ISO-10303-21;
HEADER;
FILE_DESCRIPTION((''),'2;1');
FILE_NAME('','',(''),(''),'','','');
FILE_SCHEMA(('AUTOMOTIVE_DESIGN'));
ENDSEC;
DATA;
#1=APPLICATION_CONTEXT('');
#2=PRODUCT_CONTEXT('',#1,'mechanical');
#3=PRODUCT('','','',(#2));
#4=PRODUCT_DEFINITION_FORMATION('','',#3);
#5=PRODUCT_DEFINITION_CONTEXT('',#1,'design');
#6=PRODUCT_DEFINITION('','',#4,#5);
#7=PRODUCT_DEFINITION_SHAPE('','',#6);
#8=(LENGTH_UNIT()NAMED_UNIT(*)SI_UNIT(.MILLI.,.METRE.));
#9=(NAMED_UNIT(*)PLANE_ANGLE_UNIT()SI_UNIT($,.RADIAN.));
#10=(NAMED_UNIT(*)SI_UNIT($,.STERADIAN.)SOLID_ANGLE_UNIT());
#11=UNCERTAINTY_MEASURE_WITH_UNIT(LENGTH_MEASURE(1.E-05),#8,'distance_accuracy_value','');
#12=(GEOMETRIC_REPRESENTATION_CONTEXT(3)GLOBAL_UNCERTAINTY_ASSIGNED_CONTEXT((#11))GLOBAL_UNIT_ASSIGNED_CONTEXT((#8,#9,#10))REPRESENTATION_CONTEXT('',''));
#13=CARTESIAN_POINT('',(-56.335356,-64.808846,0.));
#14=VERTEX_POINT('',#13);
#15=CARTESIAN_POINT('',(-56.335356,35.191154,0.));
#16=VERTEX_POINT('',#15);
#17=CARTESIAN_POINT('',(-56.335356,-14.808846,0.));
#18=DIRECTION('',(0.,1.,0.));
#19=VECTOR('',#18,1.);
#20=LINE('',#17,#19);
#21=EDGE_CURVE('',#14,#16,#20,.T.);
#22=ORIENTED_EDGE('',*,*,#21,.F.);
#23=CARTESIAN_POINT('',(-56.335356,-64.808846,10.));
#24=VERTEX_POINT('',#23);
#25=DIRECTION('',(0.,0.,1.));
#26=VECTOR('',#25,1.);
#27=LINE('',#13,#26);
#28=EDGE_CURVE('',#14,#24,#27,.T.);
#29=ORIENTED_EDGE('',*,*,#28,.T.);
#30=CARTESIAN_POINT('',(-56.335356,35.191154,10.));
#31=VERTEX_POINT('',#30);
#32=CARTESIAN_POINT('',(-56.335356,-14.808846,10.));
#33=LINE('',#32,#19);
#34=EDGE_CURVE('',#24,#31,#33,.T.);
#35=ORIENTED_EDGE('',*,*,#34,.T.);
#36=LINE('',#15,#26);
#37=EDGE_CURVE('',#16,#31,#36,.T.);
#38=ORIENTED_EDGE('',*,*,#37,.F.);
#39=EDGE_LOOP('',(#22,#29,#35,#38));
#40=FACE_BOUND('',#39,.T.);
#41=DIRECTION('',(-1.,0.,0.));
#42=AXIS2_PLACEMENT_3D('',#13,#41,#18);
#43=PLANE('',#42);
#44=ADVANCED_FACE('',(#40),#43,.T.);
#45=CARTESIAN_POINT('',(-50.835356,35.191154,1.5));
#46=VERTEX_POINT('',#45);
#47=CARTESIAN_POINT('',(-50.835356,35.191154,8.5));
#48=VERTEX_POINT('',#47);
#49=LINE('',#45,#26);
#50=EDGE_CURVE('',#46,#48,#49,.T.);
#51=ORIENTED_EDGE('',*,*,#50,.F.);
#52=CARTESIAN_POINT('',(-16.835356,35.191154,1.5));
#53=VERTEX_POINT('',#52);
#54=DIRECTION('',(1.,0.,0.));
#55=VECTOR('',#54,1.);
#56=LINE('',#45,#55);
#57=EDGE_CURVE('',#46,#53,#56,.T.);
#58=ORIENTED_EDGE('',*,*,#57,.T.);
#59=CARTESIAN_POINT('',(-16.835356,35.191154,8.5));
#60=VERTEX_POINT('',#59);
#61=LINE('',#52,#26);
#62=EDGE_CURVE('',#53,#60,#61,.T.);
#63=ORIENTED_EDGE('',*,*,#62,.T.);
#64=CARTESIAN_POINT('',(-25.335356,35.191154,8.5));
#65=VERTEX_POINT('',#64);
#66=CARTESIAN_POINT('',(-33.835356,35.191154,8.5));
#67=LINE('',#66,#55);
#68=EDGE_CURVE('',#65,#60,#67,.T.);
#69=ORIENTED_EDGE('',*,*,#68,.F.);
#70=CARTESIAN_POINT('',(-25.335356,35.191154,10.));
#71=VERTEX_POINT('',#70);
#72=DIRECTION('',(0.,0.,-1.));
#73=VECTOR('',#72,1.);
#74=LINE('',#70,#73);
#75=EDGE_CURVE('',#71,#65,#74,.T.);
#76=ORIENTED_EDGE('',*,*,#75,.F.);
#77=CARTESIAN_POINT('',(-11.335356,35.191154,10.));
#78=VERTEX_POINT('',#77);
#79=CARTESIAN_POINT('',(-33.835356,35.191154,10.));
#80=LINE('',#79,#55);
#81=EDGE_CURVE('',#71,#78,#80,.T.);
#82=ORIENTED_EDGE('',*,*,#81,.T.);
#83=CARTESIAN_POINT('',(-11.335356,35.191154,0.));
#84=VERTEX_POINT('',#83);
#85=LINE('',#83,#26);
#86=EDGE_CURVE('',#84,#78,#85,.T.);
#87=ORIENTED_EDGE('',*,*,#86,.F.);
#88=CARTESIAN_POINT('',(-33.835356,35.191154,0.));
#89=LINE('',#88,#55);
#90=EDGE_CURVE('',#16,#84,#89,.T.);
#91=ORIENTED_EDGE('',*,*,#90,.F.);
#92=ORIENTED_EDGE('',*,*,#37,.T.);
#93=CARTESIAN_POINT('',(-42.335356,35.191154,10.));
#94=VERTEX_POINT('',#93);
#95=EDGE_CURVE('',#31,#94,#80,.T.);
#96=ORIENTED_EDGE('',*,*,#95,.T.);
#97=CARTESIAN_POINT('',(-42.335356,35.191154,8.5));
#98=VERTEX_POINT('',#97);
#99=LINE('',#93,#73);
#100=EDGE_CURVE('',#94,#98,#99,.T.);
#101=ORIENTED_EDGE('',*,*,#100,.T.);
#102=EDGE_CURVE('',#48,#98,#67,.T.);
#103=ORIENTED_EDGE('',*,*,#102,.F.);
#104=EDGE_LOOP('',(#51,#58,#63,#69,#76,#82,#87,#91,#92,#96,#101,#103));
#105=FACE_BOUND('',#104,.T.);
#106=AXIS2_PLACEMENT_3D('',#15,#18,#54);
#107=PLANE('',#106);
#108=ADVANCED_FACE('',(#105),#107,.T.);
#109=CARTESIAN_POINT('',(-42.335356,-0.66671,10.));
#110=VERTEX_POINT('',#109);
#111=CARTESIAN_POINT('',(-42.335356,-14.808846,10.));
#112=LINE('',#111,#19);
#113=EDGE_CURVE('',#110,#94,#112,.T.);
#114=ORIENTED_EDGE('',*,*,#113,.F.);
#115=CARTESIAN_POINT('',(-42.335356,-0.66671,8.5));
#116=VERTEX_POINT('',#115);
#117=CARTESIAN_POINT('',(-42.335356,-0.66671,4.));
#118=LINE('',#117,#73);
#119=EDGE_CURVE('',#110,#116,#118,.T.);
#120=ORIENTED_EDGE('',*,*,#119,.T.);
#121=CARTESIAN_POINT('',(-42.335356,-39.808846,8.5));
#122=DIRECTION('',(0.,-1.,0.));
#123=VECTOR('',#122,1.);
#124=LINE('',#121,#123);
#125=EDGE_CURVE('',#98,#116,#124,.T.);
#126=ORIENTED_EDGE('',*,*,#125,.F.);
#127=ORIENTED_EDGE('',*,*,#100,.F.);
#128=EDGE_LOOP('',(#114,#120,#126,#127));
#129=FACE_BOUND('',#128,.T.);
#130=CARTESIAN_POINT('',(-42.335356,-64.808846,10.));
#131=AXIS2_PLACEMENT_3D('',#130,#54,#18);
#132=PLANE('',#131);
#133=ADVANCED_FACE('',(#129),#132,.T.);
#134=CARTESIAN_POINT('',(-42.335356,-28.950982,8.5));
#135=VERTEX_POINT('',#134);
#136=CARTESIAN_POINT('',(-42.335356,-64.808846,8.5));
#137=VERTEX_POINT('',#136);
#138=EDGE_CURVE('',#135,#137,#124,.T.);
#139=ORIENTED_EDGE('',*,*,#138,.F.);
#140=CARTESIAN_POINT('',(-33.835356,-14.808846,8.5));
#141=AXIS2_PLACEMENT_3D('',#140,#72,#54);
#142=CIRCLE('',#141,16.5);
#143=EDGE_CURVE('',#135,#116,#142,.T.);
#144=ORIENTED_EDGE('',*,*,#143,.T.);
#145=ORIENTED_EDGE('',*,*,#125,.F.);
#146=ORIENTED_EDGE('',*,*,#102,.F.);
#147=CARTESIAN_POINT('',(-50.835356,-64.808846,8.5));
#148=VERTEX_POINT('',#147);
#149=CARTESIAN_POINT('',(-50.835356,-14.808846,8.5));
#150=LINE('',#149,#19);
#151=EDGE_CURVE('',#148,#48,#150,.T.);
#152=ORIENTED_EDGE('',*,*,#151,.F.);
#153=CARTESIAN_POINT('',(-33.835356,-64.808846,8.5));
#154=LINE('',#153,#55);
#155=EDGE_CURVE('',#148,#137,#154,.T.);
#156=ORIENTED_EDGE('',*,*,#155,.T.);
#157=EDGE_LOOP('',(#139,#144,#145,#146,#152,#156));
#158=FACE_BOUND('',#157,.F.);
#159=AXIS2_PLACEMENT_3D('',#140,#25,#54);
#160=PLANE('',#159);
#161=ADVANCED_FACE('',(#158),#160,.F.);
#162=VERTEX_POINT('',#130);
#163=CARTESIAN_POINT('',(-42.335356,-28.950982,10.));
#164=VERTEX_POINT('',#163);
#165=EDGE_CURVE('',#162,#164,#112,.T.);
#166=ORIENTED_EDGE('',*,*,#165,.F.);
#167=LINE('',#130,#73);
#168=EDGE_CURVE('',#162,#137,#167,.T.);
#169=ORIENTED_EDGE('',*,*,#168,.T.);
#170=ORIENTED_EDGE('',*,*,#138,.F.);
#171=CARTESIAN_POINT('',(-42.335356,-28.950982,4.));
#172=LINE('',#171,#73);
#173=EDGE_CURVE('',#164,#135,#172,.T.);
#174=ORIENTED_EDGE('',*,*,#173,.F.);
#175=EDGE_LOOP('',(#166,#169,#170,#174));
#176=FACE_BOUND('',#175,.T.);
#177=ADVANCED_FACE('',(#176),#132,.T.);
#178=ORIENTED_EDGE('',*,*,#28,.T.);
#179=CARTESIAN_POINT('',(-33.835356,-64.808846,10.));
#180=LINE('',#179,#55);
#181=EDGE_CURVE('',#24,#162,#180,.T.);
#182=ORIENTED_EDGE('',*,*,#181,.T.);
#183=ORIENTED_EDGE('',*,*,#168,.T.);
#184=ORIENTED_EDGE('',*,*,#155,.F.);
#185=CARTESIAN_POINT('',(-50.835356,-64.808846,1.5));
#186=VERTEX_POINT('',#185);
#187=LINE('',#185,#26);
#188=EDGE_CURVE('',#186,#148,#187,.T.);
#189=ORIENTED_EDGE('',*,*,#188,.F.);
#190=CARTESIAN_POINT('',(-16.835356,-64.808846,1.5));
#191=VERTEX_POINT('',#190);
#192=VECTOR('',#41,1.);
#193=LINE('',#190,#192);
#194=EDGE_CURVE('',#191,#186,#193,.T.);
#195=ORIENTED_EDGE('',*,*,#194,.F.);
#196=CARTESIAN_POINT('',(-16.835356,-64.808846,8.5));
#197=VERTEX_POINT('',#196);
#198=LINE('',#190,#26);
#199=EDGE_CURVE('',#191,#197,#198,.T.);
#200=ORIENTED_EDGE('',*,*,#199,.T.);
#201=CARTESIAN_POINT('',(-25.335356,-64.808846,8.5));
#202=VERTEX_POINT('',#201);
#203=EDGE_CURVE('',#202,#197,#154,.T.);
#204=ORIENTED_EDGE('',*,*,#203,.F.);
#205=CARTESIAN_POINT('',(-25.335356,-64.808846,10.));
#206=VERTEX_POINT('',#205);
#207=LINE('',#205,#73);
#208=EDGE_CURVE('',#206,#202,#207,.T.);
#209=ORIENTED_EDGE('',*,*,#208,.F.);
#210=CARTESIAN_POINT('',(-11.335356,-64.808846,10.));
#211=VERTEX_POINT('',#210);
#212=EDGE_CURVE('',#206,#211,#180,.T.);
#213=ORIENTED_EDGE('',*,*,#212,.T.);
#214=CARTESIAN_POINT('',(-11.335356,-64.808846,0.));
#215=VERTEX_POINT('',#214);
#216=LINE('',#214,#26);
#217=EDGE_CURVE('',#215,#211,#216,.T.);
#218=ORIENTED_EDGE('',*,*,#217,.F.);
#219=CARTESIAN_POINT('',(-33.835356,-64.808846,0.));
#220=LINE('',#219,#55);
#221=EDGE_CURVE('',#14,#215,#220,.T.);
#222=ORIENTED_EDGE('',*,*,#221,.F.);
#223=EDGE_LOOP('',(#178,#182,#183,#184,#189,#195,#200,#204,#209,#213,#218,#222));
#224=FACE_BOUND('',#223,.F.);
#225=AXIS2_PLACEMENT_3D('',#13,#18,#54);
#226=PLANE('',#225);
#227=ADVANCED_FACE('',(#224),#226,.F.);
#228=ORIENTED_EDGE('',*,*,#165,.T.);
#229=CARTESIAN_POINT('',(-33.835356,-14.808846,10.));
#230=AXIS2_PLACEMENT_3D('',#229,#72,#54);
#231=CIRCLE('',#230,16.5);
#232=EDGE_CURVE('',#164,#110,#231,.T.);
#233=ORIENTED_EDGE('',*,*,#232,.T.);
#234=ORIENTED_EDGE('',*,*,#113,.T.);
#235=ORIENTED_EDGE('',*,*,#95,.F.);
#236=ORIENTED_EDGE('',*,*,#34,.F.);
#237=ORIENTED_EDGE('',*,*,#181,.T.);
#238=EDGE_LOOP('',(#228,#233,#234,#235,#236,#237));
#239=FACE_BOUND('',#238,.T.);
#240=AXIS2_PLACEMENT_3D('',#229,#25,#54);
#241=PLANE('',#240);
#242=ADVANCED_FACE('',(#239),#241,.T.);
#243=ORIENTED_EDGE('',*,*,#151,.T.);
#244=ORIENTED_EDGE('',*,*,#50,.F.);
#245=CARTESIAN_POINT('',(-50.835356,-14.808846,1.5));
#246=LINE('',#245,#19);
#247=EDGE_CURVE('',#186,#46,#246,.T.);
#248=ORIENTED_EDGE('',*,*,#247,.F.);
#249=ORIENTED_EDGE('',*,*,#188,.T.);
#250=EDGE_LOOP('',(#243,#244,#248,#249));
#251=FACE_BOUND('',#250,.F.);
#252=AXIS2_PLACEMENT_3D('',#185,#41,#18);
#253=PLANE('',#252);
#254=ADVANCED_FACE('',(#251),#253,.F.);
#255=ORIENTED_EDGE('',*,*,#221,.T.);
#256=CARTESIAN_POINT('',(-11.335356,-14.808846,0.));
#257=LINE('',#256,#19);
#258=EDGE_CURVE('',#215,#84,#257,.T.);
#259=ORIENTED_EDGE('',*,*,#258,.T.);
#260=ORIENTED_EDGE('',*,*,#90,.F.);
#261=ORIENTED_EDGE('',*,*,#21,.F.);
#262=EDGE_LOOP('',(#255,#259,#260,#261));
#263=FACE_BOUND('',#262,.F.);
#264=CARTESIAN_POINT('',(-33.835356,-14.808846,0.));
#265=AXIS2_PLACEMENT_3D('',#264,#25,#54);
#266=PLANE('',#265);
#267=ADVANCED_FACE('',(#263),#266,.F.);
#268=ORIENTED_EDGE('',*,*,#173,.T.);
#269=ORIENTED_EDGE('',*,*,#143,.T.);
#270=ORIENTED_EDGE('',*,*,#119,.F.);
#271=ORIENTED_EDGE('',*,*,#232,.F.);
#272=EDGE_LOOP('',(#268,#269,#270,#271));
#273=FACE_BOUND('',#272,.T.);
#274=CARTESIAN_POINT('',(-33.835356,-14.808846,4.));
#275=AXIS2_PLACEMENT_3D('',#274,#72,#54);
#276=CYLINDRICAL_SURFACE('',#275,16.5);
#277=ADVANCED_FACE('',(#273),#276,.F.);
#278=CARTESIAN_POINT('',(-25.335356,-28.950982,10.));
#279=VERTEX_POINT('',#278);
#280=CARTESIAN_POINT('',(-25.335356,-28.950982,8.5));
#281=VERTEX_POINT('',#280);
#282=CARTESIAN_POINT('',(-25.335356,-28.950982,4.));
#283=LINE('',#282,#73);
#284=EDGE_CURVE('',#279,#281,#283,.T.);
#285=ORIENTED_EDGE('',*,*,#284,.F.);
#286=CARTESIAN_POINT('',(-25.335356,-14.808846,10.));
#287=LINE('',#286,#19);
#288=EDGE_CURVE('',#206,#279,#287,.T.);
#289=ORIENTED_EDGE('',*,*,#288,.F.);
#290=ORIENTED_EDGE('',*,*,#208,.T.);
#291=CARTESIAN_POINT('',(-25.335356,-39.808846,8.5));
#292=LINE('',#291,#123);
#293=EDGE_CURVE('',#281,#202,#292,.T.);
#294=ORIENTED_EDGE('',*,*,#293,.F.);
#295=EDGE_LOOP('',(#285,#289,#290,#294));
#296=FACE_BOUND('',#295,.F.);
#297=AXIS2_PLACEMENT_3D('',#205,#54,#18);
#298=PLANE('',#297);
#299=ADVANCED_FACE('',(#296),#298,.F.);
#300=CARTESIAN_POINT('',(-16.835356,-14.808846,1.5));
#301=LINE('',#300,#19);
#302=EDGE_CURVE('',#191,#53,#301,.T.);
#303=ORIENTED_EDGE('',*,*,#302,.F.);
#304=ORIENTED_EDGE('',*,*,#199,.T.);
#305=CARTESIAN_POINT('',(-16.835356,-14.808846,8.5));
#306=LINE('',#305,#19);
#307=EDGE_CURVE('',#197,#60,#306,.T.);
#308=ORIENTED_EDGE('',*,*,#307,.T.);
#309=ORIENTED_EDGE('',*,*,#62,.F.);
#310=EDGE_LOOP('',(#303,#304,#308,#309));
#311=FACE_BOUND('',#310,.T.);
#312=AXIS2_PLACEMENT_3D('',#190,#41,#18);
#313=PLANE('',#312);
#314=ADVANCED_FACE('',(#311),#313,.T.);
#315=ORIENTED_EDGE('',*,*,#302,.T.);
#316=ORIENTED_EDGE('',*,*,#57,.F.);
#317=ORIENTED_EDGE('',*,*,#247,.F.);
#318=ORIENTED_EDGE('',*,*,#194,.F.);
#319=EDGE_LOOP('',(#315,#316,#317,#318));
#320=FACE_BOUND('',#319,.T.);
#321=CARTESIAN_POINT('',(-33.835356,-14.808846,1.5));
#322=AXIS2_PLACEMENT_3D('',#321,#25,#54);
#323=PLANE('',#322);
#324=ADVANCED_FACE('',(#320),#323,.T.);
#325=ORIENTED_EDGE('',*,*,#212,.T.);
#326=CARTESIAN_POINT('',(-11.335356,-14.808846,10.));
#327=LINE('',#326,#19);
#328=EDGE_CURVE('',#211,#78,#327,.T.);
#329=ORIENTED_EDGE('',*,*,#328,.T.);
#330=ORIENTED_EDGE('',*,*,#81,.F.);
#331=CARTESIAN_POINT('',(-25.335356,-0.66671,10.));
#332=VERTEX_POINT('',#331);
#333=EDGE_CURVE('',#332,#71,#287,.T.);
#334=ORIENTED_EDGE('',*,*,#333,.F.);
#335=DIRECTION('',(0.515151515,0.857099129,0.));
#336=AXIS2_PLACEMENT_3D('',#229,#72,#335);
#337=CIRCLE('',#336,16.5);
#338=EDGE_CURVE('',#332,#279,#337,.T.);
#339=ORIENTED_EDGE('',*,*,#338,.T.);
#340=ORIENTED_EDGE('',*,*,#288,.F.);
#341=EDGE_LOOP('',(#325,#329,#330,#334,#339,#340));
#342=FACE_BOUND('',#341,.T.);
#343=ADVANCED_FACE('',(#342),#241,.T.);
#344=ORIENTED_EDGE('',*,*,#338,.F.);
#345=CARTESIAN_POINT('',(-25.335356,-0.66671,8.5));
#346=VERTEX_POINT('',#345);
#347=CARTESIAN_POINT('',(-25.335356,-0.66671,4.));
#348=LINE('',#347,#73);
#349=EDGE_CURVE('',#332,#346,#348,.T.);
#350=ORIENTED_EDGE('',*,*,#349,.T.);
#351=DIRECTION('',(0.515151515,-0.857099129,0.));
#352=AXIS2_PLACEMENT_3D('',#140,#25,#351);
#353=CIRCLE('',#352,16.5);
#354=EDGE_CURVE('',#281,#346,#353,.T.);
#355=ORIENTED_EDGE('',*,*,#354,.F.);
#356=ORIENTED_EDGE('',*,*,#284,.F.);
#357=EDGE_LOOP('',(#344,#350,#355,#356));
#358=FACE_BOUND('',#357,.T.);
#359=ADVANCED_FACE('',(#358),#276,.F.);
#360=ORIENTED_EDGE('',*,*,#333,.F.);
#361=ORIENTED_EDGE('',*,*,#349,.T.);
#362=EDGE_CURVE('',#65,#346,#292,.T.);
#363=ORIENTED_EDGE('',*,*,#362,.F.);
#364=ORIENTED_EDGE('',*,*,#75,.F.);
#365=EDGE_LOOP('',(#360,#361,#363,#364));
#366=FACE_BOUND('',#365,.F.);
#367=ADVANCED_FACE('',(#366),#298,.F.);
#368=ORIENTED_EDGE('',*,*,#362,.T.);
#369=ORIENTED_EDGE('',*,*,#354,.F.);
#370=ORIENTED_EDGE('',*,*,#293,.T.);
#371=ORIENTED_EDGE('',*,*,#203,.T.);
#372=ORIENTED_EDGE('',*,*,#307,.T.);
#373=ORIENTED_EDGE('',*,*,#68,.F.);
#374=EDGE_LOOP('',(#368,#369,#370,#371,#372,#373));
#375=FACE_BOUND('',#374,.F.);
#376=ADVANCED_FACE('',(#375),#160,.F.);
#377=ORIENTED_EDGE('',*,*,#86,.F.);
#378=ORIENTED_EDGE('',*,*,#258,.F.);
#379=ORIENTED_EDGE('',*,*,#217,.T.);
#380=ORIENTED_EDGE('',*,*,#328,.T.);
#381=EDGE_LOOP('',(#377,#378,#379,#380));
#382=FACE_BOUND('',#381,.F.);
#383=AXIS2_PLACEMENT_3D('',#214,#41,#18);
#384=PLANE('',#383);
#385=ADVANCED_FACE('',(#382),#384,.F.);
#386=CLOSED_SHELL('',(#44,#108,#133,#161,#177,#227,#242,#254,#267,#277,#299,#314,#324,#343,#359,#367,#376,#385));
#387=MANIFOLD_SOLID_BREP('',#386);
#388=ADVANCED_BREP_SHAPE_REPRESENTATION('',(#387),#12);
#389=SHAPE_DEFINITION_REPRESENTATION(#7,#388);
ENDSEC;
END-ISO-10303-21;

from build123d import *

# Parameters (mm, degrees)
F0_W     = 45
F0_H     = 100
F1_DEPTH = 10
F2_W     = 17
F2_H     = 100
F3_DEPTH = 8.5
F4_W     = 34
F4_H     = 100
F5_DEPTH = 7
F8_R     = 16.5
F9_DEPTH = 10


with BuildPart() as f1:
    # F0 (on Top) → F1 (new body)
    with BuildSketch(Plane.XY):
        with Locations((-33.835356, -14.808846)):
            Rectangle(F0_W, F0_H)
    extrude(amount=F1_DEPTH)

    # F2 (on face) → F3 (cut)
    with BuildSketch(Plane.XY.offset(10)):
        with Locations((-33.835356, -14.808846)):
            Rectangle(F2_W, F2_H)
    extrude(amount=-F3_DEPTH, mode=Mode.SUBTRACT)


with BuildPart() as f5:
    # F4 (on Top) → F5 (new body)
    with BuildSketch(Plane.XY):
        with Locations((-39.335356, -14.808846)):
            Rectangle(F4_W, F4_H)
    extrude(amount=F5_DEPTH)


with BuildPart() as f5_1:
    # F6: moved
    add(f5.part.moved(Location((5.5, 0, 1.5))))


with BuildPart() as f1_1:
    add(f1.part)

    # F7: cut F5
    add(f5_1.part, mode=Mode.SUBTRACT)


with BuildPart() as f9:
    # F8 (on Top) → F9 (new body)
    with BuildSketch(Plane.XY):
        with Locations((-33.835356, -64.808846)):
            Circle(F8_R)
    extrude(amount=F9_DEPTH)


with BuildPart() as f9_1:
    # F10: moved
    add(f9.part.moved(Location((0, 50, 4))))


with BuildPart() as f1_2:
    add(f1_1.part)

    # F11: cut F9
    add(f9_1.part, mode=Mode.SUBTRACT)


solid = f1_2.part
